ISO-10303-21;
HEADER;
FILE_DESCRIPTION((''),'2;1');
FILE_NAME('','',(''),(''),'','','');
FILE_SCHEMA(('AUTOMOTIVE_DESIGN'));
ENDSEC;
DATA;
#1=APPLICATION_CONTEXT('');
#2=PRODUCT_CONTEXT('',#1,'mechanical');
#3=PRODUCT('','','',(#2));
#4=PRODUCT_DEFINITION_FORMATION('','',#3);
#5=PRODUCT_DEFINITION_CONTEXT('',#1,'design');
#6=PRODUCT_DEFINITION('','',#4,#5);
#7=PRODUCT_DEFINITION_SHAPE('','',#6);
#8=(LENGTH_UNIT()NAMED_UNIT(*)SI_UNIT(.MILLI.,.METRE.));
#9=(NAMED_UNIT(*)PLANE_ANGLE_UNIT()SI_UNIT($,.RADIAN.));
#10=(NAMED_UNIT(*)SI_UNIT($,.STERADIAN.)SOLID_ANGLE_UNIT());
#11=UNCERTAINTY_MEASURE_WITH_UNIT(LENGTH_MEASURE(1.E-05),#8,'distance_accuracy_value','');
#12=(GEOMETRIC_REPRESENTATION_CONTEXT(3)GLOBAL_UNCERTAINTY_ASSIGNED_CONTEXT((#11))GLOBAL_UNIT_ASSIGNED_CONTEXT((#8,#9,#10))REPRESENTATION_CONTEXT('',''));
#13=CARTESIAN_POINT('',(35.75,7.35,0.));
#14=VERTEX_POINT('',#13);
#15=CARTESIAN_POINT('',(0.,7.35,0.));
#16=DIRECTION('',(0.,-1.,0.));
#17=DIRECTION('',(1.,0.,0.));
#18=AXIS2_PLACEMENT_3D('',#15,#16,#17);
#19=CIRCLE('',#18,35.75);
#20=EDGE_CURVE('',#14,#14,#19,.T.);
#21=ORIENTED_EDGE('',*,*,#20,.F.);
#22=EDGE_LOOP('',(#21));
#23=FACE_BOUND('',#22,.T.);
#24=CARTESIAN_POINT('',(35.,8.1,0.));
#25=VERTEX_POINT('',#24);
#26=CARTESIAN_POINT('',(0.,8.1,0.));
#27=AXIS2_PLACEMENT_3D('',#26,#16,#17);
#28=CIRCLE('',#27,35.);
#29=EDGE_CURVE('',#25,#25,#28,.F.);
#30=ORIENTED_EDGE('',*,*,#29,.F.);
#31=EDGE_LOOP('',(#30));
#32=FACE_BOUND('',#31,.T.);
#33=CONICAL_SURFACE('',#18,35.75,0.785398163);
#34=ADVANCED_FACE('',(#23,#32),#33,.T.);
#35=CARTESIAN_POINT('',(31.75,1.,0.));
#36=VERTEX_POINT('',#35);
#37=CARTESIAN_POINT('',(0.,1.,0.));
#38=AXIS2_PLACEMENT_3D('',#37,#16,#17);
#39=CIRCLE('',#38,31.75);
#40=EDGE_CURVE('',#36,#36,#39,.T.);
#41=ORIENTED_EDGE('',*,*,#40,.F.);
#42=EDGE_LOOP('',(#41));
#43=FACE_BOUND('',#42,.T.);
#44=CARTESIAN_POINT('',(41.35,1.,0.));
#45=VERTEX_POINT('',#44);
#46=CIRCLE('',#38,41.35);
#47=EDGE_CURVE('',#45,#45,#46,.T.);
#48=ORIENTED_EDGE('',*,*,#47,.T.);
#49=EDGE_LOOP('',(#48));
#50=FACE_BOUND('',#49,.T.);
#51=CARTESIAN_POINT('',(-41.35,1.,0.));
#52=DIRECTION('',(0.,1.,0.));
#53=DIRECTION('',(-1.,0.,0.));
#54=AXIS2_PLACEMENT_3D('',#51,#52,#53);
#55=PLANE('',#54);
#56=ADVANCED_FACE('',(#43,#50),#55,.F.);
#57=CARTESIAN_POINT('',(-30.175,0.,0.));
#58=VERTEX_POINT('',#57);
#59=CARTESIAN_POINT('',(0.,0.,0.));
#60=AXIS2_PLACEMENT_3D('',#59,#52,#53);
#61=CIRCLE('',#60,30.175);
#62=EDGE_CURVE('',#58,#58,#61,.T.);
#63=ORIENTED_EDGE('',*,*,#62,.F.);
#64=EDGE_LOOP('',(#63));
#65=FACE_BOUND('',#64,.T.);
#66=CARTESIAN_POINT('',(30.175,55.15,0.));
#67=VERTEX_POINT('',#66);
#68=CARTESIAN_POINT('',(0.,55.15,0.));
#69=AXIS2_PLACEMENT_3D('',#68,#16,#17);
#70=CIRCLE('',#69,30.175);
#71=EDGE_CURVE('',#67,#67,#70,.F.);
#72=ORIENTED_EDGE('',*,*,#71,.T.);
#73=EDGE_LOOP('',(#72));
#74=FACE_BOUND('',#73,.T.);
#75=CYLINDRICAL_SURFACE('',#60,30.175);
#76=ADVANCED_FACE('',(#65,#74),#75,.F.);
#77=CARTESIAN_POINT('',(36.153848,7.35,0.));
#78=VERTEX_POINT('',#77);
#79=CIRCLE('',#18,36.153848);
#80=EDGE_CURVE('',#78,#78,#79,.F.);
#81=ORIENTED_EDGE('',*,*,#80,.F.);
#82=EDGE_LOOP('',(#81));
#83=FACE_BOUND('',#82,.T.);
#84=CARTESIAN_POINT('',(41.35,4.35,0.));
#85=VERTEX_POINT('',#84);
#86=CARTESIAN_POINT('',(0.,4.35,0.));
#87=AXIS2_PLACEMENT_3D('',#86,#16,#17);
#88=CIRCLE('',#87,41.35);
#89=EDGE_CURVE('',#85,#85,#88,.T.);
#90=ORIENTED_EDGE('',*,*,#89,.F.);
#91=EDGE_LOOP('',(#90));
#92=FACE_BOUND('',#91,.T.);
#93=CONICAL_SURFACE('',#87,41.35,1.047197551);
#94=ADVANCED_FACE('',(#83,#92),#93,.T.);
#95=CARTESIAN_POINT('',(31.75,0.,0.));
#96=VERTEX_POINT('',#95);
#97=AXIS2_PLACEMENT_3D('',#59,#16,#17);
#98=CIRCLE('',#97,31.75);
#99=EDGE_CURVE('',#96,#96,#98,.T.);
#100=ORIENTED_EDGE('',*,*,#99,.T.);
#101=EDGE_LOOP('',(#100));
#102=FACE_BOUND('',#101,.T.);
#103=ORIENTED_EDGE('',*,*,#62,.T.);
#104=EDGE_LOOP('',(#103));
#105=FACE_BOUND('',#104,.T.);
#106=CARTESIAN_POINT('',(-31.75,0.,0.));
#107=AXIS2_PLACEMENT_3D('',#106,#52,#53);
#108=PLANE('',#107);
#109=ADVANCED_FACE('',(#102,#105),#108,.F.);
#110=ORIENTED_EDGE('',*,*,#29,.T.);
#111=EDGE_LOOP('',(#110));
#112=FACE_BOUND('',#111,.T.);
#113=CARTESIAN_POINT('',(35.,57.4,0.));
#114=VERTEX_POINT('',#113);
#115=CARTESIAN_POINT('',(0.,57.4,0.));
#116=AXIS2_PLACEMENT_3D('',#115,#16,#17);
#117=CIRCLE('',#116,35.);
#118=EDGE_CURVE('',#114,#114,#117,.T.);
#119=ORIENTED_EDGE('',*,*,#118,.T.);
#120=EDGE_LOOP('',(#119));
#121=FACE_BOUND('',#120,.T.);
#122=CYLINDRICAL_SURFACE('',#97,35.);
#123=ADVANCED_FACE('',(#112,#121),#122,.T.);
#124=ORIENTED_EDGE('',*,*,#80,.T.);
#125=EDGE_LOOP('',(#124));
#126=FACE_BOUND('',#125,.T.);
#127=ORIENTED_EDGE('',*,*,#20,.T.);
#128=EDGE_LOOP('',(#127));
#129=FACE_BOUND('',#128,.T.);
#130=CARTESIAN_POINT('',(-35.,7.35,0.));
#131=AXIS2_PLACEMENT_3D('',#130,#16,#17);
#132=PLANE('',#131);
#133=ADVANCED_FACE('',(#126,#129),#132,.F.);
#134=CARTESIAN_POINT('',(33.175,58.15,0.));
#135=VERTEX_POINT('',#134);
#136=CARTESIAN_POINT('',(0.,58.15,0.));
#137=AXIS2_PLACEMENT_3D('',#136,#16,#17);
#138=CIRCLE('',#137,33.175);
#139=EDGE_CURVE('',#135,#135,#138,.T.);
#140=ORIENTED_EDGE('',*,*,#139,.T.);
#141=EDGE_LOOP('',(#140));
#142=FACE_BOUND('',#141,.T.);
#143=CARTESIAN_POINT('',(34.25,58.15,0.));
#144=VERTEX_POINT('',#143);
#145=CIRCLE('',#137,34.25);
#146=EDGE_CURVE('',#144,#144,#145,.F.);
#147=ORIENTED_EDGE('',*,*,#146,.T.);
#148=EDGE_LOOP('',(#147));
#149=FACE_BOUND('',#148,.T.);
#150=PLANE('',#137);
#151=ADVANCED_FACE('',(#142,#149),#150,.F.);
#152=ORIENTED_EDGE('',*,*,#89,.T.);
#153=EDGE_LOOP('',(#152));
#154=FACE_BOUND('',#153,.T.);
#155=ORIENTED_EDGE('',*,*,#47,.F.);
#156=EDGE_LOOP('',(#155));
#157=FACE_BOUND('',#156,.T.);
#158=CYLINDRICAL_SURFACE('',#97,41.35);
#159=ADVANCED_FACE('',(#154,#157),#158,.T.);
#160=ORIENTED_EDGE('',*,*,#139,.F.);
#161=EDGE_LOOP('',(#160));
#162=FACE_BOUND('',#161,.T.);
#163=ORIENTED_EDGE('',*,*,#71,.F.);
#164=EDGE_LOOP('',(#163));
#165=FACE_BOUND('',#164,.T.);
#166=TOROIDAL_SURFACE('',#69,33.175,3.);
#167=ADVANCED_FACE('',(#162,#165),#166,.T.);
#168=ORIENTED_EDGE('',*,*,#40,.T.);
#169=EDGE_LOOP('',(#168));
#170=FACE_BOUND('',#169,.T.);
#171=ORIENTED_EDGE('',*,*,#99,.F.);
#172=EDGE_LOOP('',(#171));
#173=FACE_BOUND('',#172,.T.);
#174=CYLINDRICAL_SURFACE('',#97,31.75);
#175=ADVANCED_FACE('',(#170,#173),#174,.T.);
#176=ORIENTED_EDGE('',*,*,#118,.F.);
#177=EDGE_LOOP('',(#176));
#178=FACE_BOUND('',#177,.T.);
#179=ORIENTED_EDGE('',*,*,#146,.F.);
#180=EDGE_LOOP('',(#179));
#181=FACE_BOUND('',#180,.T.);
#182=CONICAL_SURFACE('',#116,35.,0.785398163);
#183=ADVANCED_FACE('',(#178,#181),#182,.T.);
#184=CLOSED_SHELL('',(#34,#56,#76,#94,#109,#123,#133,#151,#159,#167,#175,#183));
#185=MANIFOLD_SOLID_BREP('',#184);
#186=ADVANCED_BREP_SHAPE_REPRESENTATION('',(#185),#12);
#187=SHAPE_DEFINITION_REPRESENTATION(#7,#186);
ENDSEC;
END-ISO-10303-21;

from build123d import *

# Parameters (mm, degrees)
SKETCH3_R          = 30.175
CUT_EXTRUDE1_DEPTH = 59.15
CHAMFER1_SIZE      = 0.75
CHAMFER2_SIZE      = 3
CHAMFER2_SIZE2     = 5.196152423
FILLET1_R          = 3


with BuildPart() as part:
    # Sketch2 → Revolve1 (revolve)
    with BuildSketch(Plane.XY):
        Polygon((0, 0), (0, 58.15), (-35, 58.15), (-35, 7.35), (-41.35, 7.35), (-41.35, 1), (-31.75, 1), (-31.75, 0), align=None)
    revolve(axis=Axis((0, 0, 0), (0, 1, 0)))

    # Sketch3 → Cut-Extrude1 (cut, through all)
    with BuildSketch(Plane(origin=(0, 58.15, 0), x_dir=(1, 0, 0), z_dir=(0, 1, 0))):
        Circle(SKETCH3_R)
    extrude(amount=-CUT_EXTRUDE1_DEPTH, mode=Mode.SUBTRACT)

    # Chamfer1
    chamfer1_edges = [part.edges().sort_by_distance(p)[0] for p in [
        (35, 7.35, 0),
        (35, 58.15, 0),
    ]]
    chamfer(chamfer1_edges, length=CHAMFER1_SIZE)

    # Chamfer2
    chamfer2_edges = [part.edges().sort_by_distance(p)[0] for p in [
        (41.35, 7.35, 0),
    ]]
    chamfer2_side = [part.faces().sort_by_distance(p)[0] for p in [
        (41.35, 4.175, 0),
    ]]
    chamfer(chamfer2_edges, length=CHAMFER2_SIZE, length2=CHAMFER2_SIZE2, reference=chamfer2_side[0])

    # Fillet1
    fillet1_edges = [part.edges().sort_by_distance(p)[0] for p in [
        (-30.175, 58.15, 0),
    ]]
    fillet(fillet1_edges, radius=FILLET1_R)


solid = part.part
